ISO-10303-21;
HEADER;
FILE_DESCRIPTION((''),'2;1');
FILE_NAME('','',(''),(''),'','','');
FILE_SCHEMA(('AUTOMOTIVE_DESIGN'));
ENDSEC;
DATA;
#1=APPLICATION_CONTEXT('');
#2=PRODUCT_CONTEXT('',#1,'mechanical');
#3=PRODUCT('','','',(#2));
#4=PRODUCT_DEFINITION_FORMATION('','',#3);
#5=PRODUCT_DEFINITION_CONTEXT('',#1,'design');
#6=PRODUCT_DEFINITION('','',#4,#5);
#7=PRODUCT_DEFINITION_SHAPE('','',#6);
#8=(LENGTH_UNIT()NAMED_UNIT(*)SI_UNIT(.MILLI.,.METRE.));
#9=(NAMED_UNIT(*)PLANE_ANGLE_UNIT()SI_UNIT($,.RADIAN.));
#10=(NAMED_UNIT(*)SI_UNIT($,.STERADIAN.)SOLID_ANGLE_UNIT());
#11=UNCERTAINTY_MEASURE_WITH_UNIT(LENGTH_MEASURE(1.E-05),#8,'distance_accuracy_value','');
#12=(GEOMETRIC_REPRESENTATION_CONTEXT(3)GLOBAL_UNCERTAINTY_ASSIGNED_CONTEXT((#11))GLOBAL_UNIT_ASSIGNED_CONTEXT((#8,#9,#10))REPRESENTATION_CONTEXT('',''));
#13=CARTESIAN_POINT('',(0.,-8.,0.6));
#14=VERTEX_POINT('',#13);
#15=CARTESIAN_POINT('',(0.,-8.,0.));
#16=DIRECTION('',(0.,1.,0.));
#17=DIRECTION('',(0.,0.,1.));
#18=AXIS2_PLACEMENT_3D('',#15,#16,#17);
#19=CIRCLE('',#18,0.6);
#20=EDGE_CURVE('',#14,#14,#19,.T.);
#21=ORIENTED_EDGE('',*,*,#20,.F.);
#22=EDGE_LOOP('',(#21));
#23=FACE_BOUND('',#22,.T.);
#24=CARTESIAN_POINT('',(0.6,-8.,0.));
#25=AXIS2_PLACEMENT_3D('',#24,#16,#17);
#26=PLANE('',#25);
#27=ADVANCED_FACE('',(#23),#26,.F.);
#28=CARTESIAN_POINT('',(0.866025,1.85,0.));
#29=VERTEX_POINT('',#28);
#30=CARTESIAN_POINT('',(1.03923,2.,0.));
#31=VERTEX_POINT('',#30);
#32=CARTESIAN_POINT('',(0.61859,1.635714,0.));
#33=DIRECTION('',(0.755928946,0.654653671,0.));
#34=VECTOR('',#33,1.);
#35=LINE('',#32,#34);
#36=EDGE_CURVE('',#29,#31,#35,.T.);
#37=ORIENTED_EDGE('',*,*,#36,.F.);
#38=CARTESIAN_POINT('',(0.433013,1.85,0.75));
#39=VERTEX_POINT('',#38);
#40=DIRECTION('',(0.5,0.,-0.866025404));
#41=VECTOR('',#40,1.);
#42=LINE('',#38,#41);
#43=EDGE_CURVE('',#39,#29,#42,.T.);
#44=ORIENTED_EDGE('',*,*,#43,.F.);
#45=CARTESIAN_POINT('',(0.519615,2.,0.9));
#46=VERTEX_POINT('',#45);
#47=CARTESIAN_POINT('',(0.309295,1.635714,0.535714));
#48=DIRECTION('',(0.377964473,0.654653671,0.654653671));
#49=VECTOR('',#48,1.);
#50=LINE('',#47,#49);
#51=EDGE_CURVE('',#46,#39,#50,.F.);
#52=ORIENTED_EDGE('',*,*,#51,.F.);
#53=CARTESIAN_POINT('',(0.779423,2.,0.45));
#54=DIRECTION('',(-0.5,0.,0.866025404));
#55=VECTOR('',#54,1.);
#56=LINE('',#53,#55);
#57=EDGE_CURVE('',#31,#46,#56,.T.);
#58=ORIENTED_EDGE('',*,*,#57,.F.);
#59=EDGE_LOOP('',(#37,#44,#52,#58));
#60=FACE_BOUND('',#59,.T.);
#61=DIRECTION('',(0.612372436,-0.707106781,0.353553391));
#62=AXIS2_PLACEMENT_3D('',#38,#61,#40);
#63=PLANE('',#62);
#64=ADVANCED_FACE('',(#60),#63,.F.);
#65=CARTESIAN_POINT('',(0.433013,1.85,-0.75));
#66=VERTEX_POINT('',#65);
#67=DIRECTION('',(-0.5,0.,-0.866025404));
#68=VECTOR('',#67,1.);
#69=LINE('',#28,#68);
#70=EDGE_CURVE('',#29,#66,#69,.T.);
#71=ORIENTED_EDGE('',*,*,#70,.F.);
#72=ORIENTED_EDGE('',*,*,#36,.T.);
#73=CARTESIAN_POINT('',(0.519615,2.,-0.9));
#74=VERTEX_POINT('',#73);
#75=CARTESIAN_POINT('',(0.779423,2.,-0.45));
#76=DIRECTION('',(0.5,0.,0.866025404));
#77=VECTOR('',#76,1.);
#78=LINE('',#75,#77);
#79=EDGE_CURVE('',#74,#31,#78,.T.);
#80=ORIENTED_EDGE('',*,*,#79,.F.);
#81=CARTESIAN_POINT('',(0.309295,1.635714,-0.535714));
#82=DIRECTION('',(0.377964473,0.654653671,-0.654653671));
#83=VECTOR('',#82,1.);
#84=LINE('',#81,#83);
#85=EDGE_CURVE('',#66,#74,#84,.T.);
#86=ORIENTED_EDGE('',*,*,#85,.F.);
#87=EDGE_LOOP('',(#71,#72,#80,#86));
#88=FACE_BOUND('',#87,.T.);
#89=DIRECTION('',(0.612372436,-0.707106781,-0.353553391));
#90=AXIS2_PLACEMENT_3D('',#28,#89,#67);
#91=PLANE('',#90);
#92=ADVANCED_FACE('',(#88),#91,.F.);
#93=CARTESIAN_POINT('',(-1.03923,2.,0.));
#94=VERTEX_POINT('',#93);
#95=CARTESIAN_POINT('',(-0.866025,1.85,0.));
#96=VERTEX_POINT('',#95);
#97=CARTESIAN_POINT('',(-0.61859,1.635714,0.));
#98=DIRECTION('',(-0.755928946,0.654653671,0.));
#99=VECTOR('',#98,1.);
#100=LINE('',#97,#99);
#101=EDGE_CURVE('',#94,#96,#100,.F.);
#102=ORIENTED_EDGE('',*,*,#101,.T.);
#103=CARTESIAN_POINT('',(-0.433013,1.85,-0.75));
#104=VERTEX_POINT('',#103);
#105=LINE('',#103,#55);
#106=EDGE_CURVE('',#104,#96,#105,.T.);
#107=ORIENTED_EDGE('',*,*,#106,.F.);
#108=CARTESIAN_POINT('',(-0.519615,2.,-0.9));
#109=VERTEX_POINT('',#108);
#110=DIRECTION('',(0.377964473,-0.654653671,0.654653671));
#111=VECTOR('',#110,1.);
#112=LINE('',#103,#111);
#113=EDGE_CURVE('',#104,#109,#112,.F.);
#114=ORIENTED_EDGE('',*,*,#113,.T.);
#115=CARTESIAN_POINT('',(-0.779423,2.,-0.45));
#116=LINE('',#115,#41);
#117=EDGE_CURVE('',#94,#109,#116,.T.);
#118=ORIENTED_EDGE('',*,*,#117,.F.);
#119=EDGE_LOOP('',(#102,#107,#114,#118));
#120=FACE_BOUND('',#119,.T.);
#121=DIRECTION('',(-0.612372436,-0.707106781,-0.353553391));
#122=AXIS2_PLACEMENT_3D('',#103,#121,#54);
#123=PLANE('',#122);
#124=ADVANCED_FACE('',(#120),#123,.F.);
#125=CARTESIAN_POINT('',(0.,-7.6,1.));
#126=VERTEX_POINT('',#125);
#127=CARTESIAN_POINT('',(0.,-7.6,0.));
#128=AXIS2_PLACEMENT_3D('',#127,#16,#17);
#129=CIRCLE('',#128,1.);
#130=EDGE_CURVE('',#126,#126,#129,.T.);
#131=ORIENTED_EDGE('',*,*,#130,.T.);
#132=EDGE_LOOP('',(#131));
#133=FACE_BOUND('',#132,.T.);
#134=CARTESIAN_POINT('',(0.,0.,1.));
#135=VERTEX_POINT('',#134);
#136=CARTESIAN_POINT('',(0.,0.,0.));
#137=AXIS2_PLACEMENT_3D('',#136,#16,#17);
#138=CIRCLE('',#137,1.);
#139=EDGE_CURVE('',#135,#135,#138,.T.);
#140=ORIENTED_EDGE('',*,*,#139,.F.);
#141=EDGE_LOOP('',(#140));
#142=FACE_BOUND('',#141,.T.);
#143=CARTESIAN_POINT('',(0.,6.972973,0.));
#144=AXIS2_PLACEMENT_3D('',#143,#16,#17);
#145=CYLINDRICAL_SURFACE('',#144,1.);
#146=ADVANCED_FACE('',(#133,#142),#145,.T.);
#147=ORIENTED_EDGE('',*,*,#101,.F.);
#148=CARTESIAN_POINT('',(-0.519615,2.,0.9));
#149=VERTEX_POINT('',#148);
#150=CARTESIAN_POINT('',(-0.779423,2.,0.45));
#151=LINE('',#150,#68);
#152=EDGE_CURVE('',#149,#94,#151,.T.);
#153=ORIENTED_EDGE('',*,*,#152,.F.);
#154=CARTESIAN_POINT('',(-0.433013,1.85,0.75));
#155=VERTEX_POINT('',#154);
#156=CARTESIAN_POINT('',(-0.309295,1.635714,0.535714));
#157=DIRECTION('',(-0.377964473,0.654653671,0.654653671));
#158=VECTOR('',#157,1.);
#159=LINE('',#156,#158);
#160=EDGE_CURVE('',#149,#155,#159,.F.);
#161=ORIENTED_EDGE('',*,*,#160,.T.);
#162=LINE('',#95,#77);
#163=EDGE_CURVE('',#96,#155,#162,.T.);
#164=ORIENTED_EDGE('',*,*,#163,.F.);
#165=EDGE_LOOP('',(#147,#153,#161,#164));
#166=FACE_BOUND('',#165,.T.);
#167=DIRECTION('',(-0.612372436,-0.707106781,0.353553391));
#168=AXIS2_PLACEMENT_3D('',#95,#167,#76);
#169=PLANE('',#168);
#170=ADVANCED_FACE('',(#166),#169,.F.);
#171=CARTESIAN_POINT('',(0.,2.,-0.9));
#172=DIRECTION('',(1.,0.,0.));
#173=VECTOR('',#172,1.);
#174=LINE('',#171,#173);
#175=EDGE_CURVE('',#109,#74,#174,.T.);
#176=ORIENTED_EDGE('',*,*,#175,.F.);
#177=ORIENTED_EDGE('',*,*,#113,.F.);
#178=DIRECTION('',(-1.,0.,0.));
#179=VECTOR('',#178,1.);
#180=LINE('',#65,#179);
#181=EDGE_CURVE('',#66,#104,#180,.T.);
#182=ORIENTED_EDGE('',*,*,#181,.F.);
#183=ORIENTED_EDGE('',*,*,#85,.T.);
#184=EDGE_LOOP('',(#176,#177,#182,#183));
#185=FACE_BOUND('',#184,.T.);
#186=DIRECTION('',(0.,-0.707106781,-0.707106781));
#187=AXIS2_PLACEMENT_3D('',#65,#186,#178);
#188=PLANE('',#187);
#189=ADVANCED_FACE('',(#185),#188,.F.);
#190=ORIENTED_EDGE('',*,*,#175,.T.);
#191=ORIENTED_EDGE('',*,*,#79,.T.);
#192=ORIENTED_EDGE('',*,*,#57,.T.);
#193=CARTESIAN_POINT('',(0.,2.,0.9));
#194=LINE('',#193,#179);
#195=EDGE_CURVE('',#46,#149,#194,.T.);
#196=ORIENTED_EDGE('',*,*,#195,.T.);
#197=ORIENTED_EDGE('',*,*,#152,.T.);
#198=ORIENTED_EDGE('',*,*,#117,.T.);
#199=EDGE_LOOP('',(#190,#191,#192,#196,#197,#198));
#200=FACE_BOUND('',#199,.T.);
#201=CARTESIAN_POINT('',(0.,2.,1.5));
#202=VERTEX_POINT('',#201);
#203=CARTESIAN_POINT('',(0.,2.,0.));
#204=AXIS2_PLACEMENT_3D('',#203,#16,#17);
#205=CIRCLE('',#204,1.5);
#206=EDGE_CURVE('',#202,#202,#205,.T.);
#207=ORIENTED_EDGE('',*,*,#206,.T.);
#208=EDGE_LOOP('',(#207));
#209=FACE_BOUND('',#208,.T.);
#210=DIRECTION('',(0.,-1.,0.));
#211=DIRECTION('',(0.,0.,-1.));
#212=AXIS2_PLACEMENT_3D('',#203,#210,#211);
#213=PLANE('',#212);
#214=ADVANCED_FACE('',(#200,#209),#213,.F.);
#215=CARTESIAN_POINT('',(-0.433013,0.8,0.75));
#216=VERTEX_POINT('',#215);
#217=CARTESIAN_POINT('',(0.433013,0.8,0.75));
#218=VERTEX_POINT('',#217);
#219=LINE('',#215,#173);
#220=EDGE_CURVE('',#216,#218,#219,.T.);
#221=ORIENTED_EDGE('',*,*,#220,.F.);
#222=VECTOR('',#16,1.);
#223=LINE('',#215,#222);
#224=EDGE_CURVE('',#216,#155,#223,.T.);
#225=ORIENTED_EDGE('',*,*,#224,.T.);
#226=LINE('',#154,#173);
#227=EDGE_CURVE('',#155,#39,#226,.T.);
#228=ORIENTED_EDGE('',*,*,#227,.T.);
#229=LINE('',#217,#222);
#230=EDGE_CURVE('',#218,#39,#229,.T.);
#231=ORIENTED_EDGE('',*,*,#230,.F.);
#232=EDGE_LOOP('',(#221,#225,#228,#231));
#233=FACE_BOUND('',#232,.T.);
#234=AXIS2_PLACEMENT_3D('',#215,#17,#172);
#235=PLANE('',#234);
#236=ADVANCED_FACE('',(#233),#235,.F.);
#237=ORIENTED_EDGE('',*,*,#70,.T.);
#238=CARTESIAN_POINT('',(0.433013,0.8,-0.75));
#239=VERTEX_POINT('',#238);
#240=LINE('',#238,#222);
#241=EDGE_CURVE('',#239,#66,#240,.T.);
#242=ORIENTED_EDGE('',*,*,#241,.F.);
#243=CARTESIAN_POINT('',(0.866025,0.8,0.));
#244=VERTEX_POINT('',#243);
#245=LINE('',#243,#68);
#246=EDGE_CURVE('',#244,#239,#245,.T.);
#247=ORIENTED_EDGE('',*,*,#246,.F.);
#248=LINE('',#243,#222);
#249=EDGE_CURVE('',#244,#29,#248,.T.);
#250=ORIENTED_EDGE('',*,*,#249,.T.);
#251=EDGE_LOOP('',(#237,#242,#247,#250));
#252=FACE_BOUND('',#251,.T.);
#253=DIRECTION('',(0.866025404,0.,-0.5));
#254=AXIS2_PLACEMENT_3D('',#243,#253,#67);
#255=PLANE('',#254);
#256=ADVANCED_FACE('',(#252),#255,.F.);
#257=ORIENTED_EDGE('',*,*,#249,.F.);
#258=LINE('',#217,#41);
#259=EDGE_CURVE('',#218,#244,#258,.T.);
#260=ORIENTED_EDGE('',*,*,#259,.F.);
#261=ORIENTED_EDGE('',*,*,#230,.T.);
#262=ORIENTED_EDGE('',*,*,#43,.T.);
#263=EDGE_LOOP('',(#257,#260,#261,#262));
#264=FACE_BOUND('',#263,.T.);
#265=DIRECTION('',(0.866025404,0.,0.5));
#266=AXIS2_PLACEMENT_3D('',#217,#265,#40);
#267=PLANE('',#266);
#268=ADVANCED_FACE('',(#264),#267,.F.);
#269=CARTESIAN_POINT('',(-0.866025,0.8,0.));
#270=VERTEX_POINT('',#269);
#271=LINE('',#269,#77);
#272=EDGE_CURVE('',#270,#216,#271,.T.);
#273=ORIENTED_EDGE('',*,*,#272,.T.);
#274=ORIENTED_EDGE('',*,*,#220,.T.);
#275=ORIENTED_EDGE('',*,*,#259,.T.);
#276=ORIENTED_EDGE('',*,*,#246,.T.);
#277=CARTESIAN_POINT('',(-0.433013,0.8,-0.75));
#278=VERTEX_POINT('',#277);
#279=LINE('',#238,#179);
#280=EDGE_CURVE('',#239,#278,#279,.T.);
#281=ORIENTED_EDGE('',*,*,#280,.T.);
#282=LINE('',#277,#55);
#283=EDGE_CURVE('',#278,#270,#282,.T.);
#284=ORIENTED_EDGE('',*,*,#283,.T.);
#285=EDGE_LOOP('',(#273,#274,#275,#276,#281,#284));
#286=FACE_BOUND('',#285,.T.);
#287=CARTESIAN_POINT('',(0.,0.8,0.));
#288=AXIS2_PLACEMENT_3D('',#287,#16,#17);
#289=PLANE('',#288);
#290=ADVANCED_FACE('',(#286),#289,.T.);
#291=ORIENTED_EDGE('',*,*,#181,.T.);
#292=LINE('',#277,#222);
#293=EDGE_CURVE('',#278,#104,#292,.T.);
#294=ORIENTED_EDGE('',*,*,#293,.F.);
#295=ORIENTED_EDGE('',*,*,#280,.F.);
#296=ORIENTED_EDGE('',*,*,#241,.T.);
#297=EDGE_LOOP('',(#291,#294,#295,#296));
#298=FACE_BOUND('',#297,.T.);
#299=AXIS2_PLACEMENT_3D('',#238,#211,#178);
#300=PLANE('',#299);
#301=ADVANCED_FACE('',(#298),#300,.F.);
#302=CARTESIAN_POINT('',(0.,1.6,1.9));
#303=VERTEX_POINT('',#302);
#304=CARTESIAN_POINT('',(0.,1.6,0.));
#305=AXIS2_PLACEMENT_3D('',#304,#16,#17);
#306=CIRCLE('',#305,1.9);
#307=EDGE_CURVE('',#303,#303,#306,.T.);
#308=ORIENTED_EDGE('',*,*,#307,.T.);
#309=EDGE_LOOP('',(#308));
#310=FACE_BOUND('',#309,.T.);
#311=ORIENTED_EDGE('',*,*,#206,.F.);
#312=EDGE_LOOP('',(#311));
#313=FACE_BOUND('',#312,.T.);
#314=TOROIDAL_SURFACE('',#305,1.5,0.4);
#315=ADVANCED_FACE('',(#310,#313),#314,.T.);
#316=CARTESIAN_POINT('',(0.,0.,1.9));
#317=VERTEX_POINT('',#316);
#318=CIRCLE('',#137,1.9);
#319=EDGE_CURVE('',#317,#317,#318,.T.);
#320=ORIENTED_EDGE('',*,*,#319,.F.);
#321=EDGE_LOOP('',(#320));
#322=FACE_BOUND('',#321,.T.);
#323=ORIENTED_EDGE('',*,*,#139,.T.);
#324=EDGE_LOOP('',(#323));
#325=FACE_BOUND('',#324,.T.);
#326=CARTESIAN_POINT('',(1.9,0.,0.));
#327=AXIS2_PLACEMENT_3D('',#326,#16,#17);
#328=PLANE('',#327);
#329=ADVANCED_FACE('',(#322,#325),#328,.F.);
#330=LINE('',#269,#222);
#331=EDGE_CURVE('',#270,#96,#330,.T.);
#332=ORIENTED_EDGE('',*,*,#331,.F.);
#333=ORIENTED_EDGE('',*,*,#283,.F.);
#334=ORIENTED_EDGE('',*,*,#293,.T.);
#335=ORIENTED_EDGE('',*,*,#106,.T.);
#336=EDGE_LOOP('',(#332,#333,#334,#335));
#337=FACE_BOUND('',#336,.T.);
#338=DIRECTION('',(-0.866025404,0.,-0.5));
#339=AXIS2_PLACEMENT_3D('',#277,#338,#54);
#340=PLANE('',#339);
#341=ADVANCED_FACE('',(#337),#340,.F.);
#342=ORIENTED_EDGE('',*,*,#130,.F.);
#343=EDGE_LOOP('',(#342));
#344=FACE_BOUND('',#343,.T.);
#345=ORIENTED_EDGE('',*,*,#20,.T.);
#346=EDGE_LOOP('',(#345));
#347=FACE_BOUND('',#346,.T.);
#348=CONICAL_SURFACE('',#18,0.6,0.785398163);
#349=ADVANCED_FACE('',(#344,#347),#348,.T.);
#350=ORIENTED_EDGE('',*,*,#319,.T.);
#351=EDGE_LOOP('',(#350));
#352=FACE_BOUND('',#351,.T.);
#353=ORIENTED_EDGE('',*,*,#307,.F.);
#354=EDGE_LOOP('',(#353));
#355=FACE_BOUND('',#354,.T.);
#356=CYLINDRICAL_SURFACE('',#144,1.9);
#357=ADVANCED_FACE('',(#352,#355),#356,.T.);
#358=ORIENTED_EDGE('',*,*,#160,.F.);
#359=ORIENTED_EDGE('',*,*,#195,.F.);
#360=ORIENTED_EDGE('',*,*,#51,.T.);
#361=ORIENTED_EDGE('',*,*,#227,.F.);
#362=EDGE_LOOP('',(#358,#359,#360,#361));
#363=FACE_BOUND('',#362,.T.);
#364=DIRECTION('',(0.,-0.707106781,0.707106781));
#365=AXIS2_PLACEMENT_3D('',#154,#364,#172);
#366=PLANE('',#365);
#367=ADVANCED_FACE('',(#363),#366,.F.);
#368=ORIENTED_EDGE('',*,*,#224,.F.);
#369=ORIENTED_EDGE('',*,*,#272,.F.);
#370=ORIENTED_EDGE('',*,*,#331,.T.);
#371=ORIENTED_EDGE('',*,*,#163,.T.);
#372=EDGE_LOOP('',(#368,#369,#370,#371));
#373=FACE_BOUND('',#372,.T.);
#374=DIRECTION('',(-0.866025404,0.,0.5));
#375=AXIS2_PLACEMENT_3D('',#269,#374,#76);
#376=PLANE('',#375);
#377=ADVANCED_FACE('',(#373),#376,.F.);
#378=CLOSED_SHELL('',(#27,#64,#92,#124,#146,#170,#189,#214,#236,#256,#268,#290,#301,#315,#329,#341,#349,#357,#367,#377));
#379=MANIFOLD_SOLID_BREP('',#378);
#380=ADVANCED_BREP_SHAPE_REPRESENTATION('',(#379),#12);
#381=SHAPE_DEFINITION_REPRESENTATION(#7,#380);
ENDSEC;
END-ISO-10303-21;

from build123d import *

# Parameters (mm, degrees)
ENL_V_MAT_EXTRU_1_DEPTH = 1.2
CHANFREIN1_SIZE         = 0.15


with BuildPart() as part:
    # Esquisse1 → Révolution1 (revolve)
    with BuildSketch(Plane.XY, mode=Mode.PRIVATE) as r_volution1_sk:
        with BuildLine():
            Line((1, -7.6), (0.6, -8))
            Line((0.6, -8), (0, -8))
            Line((0, -8), (0, 2))
            Line((0, 2), (1.5, 2))
            ThreePointArc((1.5, 2), (1.782842712, 1.882842712), (1.9, 1.6))
            Line((1.9, 1.6), (1.9, 0))
            Line((1.9, 0), (1, 0))
            Line((1, 0), (1, -7.6))
        make_face()
    revolve(r_volution1_sk.sketch.rotate(Axis((0, 6.972972973, 0), (0, -1, 0)), 90), axis=Axis((0, 6.972972973, 0), (0, -1, 0)))

    # Esquisse2 → Enlèv. mat.-Extru.1 (cut)
    with BuildSketch(Plane(origin=(0, 2, 0), x_dir=(1, 0, 0), z_dir=(0, 1, 0))):
        Polygon((-0.866025404, 0), (-0.433012702, -0.75), (0.433012702, -0.75), (0.866025404, 0), (0.433012702, 0.75), (-0.433012702, 0.75), align=None)
    extrude(amount=-ENL_V_MAT_EXTRU_1_DEPTH, mode=Mode.SUBTRACT)

    # Chanfrein1
    chanfrein1_edges = [part.edges().sort_by_distance(p)[0] for p in [
        (-0.649519053, 2, -0.375),
        (-0.649519053, 2, 0.375),
        (0, 2, 0.75),
        (0.649519053, 2, 0.375),
        (0.649519053, 2, -0.375),
        (0, 2, -0.75),
    ]]
    chamfer(chanfrein1_edges, length=CHANFREIN1_SIZE)


solid = part.part
